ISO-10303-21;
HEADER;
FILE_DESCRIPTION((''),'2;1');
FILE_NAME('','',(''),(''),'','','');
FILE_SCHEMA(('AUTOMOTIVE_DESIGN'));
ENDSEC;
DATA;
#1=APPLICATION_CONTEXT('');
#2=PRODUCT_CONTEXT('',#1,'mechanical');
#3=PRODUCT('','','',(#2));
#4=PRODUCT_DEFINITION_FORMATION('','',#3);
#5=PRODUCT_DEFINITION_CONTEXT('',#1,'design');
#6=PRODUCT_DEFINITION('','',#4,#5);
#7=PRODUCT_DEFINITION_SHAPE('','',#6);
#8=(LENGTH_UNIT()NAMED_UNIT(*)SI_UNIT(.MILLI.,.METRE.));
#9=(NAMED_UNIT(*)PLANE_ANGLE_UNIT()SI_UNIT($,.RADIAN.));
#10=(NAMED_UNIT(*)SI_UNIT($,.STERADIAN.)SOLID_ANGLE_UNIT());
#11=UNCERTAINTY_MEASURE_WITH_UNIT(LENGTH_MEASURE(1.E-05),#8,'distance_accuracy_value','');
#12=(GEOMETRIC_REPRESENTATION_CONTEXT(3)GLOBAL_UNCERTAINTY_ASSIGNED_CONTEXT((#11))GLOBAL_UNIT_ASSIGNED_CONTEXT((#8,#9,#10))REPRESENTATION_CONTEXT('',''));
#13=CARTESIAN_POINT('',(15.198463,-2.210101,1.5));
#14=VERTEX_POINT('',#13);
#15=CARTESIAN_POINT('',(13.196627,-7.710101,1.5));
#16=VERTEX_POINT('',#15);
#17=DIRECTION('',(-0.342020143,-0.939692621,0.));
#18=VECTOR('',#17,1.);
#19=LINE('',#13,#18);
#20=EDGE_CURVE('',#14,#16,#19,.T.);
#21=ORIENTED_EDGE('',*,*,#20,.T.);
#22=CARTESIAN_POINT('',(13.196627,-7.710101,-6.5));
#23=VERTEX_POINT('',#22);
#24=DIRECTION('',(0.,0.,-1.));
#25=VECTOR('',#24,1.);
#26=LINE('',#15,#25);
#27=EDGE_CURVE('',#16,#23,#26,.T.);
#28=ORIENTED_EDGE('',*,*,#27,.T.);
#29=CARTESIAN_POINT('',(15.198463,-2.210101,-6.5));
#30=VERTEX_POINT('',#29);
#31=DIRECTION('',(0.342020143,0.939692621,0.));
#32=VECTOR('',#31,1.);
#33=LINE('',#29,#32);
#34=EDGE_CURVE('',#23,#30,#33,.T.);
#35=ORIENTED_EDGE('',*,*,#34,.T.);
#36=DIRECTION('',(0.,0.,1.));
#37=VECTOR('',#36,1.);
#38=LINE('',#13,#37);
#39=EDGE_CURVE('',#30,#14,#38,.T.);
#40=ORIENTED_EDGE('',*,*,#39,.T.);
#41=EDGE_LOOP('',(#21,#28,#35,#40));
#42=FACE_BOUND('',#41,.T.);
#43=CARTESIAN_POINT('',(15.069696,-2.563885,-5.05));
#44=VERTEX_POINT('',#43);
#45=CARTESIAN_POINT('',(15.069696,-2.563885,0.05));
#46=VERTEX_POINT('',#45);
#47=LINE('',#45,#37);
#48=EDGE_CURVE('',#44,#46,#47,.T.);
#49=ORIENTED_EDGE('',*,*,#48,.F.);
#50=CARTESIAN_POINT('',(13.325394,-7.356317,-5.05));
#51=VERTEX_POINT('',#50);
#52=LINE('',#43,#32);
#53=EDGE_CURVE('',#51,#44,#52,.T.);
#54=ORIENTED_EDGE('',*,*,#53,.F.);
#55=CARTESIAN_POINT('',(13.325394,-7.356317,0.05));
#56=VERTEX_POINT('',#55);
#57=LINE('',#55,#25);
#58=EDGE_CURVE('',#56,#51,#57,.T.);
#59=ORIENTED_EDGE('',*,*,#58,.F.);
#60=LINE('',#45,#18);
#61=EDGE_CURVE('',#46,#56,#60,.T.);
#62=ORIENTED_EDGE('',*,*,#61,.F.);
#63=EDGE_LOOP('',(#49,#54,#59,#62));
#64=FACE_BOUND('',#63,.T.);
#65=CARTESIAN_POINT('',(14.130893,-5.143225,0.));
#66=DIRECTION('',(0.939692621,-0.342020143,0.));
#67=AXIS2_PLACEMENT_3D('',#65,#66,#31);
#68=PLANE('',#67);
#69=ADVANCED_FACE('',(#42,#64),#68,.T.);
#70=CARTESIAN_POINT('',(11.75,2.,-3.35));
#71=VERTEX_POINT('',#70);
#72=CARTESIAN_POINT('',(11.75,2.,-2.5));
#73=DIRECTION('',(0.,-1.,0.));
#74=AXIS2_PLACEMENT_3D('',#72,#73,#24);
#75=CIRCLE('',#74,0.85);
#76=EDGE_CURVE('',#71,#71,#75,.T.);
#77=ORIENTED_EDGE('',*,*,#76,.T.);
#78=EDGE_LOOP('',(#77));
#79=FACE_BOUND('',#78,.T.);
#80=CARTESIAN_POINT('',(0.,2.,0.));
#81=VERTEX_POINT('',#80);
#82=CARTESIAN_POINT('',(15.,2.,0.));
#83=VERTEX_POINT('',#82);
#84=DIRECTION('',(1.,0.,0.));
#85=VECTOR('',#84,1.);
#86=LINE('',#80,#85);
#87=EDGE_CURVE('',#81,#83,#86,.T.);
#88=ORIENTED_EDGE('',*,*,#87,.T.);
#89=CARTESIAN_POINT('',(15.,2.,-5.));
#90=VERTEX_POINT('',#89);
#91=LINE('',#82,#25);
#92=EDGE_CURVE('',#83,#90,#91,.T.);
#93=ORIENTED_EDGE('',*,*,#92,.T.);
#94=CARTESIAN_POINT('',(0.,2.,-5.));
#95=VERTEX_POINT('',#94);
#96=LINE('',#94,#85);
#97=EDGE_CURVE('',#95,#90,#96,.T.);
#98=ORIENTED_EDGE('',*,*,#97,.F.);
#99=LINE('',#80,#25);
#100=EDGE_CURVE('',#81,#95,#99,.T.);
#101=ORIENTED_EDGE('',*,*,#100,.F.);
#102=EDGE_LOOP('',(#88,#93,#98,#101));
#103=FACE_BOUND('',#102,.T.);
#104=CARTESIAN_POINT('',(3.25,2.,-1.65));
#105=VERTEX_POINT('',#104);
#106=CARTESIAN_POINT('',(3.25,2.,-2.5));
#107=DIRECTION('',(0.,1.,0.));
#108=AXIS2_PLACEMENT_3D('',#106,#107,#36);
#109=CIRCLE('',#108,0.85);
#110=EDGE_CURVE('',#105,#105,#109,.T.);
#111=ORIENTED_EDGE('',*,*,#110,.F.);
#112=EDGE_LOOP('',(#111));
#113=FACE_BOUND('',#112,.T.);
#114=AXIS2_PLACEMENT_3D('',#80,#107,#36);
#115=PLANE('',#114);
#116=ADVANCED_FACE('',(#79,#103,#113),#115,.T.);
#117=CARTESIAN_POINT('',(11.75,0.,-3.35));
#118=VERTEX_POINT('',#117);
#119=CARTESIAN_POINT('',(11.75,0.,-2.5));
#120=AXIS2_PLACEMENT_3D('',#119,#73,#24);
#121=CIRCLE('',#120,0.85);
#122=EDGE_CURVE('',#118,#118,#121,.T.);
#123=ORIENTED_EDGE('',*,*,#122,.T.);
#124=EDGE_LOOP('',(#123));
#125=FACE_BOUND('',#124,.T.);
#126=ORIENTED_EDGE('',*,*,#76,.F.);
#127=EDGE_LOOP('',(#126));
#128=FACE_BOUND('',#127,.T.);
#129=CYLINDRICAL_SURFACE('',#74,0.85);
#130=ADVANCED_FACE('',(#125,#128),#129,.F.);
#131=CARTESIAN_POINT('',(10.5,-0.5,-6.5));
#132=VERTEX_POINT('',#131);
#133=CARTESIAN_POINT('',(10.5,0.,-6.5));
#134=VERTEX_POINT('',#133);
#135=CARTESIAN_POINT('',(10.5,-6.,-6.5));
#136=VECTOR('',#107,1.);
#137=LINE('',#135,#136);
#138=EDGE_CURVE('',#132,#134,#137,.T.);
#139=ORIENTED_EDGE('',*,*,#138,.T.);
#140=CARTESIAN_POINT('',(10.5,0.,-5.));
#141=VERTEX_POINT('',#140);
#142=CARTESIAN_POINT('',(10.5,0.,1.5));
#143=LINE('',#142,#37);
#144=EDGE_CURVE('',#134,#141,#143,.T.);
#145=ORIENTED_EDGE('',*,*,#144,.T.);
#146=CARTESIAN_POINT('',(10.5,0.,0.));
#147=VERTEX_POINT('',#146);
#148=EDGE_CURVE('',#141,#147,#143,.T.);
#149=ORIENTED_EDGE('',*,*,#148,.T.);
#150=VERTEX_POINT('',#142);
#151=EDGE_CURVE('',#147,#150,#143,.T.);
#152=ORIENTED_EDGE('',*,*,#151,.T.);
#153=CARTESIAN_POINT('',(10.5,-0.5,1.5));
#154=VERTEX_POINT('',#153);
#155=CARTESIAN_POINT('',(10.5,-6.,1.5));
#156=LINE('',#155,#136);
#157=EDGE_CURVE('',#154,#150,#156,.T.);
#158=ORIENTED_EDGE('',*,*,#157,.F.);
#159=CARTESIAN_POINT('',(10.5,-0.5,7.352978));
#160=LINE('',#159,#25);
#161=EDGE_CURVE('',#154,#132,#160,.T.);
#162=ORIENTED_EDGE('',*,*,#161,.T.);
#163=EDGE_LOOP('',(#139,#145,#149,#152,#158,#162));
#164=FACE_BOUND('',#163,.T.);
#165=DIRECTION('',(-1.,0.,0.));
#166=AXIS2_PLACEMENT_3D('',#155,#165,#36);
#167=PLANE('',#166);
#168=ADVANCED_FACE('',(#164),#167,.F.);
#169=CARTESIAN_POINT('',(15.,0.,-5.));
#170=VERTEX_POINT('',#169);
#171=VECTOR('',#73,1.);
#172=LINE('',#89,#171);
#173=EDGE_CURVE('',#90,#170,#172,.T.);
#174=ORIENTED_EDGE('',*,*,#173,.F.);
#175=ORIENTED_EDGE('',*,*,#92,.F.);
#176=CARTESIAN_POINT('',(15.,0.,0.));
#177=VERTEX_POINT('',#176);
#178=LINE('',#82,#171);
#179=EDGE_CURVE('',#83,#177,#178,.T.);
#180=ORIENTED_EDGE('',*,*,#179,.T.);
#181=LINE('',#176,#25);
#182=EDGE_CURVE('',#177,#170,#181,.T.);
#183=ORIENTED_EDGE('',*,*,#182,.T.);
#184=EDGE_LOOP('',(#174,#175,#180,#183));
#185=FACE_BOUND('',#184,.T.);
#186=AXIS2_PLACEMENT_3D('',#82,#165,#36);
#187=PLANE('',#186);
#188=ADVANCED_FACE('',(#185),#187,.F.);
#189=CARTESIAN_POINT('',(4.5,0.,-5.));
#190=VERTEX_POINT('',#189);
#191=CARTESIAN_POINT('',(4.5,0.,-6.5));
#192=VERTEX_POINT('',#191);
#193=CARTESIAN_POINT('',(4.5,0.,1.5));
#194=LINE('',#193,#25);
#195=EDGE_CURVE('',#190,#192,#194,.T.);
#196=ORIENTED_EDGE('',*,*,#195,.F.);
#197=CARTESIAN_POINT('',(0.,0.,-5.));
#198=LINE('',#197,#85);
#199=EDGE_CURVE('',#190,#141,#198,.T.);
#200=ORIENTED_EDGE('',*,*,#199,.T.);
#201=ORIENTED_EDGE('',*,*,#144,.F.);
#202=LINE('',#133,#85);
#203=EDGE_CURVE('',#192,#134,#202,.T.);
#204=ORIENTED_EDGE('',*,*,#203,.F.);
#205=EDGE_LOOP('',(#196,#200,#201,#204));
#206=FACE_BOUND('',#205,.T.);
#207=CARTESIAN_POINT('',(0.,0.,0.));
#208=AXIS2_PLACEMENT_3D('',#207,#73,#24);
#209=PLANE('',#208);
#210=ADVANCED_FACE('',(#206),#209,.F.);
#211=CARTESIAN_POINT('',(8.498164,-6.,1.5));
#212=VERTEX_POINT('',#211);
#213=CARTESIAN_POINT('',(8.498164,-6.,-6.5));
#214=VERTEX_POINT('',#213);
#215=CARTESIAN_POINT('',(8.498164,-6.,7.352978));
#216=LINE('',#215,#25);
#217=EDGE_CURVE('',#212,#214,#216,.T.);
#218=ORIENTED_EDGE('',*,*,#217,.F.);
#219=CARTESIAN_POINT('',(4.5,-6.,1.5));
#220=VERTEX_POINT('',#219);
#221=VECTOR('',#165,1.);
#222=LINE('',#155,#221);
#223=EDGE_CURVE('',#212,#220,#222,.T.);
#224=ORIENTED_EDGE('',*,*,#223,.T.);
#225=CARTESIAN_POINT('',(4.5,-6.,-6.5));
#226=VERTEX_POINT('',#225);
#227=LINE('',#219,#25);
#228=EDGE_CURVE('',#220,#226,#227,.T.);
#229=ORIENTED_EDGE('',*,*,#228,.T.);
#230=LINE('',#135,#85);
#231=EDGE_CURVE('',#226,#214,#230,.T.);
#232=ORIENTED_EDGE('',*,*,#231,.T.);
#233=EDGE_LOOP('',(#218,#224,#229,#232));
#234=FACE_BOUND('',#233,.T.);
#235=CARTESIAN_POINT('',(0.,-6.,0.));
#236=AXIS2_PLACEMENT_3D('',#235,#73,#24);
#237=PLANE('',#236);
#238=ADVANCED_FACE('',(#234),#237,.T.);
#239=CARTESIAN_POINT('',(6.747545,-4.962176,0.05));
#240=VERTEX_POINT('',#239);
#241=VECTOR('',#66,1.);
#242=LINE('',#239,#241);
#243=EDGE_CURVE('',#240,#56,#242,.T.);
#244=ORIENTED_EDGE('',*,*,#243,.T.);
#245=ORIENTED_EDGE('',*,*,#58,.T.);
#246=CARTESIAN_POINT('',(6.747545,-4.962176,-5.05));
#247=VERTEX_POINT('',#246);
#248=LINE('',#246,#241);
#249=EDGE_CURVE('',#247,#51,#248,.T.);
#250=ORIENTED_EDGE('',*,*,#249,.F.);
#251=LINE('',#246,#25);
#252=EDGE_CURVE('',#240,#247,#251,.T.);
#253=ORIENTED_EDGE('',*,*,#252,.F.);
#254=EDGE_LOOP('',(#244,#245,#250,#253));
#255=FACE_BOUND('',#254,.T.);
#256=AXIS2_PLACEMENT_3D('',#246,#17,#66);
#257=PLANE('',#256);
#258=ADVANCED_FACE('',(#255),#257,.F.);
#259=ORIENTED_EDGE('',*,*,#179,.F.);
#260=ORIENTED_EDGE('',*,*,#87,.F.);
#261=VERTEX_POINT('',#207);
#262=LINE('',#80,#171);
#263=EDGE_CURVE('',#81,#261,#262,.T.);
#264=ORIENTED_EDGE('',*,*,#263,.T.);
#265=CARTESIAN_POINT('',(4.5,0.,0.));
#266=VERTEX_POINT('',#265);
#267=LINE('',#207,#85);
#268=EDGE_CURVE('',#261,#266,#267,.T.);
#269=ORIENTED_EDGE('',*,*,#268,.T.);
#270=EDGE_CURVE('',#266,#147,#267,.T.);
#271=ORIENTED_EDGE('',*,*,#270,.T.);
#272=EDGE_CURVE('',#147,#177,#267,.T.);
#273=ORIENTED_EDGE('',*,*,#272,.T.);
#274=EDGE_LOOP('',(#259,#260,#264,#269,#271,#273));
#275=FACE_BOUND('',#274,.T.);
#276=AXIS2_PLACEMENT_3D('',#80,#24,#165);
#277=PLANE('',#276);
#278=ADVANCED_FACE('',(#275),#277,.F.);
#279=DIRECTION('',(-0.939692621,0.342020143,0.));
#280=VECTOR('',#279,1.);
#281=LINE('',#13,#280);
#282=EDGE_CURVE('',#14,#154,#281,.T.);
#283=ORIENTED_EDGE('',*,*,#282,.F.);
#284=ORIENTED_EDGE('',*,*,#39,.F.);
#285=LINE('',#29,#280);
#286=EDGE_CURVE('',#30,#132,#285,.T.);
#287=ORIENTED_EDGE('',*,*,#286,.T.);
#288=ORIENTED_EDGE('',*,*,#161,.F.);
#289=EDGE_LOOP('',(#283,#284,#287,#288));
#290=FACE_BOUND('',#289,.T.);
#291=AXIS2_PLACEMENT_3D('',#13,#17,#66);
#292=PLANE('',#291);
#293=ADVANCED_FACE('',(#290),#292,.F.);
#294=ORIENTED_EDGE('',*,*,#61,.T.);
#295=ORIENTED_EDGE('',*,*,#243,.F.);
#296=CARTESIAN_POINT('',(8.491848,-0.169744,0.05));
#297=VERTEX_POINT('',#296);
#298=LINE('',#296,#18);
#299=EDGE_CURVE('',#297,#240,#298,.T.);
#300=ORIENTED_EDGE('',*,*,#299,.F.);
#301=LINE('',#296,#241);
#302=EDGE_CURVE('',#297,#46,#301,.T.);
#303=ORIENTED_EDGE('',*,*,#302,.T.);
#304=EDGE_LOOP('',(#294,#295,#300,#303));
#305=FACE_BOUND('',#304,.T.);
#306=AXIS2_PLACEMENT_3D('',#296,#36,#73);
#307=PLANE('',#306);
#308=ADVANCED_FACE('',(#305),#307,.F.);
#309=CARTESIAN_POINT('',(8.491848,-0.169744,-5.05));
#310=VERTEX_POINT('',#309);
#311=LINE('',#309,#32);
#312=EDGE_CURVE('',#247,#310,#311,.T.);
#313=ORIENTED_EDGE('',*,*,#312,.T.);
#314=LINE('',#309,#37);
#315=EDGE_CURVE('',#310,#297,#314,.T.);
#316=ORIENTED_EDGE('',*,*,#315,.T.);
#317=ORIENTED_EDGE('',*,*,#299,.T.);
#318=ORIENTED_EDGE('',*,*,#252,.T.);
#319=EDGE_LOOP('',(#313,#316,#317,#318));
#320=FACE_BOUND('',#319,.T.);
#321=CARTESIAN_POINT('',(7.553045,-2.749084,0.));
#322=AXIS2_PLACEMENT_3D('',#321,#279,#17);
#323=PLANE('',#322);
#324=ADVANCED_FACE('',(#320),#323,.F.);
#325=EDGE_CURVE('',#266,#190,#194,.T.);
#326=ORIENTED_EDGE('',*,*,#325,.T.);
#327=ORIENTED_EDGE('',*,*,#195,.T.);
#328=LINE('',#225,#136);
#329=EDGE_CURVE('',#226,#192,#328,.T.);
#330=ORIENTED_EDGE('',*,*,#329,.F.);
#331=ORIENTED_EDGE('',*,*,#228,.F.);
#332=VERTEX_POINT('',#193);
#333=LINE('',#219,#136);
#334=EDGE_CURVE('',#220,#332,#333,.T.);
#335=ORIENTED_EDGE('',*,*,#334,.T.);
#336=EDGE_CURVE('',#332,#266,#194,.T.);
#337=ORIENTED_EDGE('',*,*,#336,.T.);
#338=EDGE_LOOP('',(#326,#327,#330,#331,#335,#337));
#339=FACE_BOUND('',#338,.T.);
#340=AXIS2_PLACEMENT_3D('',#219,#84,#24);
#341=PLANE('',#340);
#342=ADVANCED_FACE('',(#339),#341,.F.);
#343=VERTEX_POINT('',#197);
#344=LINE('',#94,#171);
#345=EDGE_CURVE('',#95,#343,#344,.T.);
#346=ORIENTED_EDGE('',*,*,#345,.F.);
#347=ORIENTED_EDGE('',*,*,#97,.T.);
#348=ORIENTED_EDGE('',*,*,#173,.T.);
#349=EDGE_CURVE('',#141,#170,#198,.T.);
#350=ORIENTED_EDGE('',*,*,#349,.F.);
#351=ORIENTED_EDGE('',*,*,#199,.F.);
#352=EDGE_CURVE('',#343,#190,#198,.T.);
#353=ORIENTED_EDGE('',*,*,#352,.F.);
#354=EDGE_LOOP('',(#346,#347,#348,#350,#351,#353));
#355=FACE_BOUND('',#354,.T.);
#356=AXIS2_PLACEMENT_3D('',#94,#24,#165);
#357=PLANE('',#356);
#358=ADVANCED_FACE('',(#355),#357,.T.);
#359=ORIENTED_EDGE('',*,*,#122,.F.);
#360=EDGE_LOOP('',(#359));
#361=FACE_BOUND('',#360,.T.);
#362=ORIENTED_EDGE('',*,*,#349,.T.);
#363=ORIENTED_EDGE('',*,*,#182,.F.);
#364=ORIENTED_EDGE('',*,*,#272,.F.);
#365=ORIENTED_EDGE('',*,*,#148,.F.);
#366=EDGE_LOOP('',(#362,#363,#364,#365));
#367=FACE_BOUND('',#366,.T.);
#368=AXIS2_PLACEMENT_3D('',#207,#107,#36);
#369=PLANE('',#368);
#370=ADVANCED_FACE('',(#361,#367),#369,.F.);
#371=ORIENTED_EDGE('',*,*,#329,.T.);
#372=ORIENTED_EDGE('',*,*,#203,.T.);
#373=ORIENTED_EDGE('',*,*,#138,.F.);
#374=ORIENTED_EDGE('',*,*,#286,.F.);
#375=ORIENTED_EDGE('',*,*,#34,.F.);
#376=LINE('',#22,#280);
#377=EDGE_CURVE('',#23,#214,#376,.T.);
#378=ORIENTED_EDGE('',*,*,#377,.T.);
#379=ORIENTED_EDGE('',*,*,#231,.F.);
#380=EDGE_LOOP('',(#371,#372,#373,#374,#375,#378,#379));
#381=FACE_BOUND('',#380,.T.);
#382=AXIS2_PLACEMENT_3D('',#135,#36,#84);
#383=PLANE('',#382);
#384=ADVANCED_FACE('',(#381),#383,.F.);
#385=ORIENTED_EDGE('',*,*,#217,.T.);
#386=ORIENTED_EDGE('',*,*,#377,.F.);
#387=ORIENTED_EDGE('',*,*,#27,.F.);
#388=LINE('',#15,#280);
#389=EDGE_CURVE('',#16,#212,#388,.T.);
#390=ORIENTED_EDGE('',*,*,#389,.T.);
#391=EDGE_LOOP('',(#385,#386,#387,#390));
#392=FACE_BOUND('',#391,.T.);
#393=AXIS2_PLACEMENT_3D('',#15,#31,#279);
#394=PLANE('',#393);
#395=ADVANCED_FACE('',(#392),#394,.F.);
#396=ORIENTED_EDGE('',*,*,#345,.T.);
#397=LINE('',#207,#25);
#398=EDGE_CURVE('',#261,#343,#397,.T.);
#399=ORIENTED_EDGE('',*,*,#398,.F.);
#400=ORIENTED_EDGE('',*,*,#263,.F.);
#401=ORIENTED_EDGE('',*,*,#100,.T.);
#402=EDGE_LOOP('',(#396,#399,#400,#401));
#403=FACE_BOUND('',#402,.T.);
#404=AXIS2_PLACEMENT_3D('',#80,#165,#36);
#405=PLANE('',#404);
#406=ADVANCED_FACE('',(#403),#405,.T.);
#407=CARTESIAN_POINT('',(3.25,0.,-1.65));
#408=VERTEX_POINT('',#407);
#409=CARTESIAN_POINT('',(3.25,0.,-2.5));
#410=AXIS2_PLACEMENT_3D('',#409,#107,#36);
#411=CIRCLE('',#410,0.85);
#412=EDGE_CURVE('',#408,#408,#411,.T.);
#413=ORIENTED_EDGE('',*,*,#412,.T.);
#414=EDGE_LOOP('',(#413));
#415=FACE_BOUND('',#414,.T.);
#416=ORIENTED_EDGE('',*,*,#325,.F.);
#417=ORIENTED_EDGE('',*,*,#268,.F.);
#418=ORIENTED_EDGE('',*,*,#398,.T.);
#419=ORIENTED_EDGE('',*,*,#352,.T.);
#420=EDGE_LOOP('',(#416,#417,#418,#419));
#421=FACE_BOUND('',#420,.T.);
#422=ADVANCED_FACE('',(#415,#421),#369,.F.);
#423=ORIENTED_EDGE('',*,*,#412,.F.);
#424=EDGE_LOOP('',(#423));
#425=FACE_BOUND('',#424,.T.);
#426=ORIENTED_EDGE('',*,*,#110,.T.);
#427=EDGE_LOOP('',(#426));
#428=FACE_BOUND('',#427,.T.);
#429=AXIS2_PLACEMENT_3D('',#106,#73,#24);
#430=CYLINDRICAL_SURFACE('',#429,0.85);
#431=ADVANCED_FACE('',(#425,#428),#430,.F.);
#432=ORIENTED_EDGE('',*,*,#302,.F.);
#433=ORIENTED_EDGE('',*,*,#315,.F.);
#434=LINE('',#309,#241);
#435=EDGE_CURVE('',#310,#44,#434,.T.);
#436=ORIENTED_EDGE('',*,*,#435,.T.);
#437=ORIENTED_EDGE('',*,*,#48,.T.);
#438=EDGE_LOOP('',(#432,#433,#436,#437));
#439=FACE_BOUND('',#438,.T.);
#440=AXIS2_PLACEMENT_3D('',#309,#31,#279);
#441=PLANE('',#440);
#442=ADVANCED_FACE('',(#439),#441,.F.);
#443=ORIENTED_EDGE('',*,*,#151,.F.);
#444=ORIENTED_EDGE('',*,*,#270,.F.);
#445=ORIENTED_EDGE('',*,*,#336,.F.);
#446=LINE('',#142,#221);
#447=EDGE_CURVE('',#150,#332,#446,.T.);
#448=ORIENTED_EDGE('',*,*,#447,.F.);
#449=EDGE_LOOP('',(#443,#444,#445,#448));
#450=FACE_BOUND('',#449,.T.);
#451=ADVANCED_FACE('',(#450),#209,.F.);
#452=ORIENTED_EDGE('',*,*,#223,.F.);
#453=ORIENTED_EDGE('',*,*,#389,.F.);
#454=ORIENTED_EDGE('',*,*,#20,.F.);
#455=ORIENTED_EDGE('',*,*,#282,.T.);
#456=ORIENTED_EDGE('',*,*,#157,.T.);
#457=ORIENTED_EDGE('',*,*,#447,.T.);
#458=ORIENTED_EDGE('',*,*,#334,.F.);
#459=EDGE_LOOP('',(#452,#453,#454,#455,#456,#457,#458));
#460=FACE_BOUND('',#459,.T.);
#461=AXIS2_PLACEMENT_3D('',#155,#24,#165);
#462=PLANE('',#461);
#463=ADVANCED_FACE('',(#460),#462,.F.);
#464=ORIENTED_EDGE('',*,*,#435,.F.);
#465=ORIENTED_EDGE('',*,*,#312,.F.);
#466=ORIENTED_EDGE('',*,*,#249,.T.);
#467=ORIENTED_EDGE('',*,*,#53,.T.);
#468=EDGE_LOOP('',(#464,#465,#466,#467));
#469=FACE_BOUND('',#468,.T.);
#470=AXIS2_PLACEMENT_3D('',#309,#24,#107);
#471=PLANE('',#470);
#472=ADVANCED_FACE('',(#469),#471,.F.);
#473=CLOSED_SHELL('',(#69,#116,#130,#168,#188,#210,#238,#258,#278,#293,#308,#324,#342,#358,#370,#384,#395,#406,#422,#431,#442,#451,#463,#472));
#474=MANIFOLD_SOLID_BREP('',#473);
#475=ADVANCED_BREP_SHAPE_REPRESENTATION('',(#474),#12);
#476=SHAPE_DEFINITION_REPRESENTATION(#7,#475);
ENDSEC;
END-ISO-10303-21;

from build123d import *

# Parameters (mm, degrees)
SKETCH_1_W          = 15
SKETCH_1_H          = 5
SKETCH_1_R          = 0.85
EXTRUDE_1_DEPTH     = 2
SKETCH_2_W          = 6
SKETCH_2_H          = 8
EXTRUDE_3_DEPTH     = 6
CUT_EXTRUDE_2_DEPTH = 8
SKETCH_7_W          = 5.1
SKETCH_7_H          = 5.1
CUT_EXTRUDE_3_DEPTH = 2
SKETCH_10_W         = 8
SKETCH_10_H         = 5.852977749
SKETCH_10_W_2       = 5.1
SKETCH_10_H_2       = 5.1
EXTRUDE_4_DEPTH     = 5


with BuildPart() as part:
    # 草图1 → 凸台-拉伸1 (new body)
    with BuildSketch(Plane(origin=(0, 0, 0), x_dir=(1, 0, 0), z_dir=(0, 1, 0))):
        with Locations((7.5, 2.5)):
            Rectangle(SKETCH_1_W, SKETCH_1_H)
        with Locations(Location((3.25, 2.5, 0), (0, 0, 270))):
            Circle(SKETCH_1_R, mode=Mode.SUBTRACT)
        with Locations(Location((11.75, 2.5, 0), (0, 0, 90))):
            Circle(SKETCH_1_R, mode=Mode.SUBTRACT)
    extrude(amount=EXTRUDE_1_DEPTH)

    # 草图2 → 凸台-拉伸3 (add)
    with BuildSketch(Plane.XZ):
        with Locations((7.5, -2.5)):
            Rectangle(SKETCH_2_W, SKETCH_2_H)
    extrude(amount=EXTRUDE_3_DEPTH)

    # 草图6 → 切除-拉伸2 (cut)
    with BuildSketch(Plane(origin=(0, 0, -6.5), x_dir=(-1, 0, 0), z_dir=(0, 0, -1))):
        Polygon((-10.5, -0.5), (-10.5, -6), (-8.498163712, -6), align=None)
    extrude(amount=-CUT_EXTRUDE_2_DEPTH, mode=Mode.SUBTRACT)

    # 草图7 → 切除-拉伸3 (cut)
    with BuildSketch(Plane(origin=(9.432430229, -3.43312384, 0), x_dir=(0, 0, -1), z_dir=(0.9396926207859104, -0.3420201433256631, 0))):
        with Locations((2.5, 0.19487632)):
            Rectangle(SKETCH_7_W, SKETCH_7_H)
    extrude(amount=-CUT_EXTRUDE_3_DEPTH, mode=Mode.SUBTRACT)

    # 草图10 → 凸台-拉伸4 (add)
    with BuildSketch(Plane(origin=(9.432430229, -3.43312384, 0), x_dir=(0, 0, -1), z_dir=(0.9396926207859104, -0.3420201433256631, 0))):
        with Locations((2.5, 0.19487632)):
            Rectangle(SKETCH_10_W, SKETCH_10_H)
        with Locations((2.5, 0.19487632)):
            Rectangle(SKETCH_10_W_2, SKETCH_10_H_2, mode=Mode.SUBTRACT)
    extrude(amount=EXTRUDE_4_DEPTH)


solid = part.part
